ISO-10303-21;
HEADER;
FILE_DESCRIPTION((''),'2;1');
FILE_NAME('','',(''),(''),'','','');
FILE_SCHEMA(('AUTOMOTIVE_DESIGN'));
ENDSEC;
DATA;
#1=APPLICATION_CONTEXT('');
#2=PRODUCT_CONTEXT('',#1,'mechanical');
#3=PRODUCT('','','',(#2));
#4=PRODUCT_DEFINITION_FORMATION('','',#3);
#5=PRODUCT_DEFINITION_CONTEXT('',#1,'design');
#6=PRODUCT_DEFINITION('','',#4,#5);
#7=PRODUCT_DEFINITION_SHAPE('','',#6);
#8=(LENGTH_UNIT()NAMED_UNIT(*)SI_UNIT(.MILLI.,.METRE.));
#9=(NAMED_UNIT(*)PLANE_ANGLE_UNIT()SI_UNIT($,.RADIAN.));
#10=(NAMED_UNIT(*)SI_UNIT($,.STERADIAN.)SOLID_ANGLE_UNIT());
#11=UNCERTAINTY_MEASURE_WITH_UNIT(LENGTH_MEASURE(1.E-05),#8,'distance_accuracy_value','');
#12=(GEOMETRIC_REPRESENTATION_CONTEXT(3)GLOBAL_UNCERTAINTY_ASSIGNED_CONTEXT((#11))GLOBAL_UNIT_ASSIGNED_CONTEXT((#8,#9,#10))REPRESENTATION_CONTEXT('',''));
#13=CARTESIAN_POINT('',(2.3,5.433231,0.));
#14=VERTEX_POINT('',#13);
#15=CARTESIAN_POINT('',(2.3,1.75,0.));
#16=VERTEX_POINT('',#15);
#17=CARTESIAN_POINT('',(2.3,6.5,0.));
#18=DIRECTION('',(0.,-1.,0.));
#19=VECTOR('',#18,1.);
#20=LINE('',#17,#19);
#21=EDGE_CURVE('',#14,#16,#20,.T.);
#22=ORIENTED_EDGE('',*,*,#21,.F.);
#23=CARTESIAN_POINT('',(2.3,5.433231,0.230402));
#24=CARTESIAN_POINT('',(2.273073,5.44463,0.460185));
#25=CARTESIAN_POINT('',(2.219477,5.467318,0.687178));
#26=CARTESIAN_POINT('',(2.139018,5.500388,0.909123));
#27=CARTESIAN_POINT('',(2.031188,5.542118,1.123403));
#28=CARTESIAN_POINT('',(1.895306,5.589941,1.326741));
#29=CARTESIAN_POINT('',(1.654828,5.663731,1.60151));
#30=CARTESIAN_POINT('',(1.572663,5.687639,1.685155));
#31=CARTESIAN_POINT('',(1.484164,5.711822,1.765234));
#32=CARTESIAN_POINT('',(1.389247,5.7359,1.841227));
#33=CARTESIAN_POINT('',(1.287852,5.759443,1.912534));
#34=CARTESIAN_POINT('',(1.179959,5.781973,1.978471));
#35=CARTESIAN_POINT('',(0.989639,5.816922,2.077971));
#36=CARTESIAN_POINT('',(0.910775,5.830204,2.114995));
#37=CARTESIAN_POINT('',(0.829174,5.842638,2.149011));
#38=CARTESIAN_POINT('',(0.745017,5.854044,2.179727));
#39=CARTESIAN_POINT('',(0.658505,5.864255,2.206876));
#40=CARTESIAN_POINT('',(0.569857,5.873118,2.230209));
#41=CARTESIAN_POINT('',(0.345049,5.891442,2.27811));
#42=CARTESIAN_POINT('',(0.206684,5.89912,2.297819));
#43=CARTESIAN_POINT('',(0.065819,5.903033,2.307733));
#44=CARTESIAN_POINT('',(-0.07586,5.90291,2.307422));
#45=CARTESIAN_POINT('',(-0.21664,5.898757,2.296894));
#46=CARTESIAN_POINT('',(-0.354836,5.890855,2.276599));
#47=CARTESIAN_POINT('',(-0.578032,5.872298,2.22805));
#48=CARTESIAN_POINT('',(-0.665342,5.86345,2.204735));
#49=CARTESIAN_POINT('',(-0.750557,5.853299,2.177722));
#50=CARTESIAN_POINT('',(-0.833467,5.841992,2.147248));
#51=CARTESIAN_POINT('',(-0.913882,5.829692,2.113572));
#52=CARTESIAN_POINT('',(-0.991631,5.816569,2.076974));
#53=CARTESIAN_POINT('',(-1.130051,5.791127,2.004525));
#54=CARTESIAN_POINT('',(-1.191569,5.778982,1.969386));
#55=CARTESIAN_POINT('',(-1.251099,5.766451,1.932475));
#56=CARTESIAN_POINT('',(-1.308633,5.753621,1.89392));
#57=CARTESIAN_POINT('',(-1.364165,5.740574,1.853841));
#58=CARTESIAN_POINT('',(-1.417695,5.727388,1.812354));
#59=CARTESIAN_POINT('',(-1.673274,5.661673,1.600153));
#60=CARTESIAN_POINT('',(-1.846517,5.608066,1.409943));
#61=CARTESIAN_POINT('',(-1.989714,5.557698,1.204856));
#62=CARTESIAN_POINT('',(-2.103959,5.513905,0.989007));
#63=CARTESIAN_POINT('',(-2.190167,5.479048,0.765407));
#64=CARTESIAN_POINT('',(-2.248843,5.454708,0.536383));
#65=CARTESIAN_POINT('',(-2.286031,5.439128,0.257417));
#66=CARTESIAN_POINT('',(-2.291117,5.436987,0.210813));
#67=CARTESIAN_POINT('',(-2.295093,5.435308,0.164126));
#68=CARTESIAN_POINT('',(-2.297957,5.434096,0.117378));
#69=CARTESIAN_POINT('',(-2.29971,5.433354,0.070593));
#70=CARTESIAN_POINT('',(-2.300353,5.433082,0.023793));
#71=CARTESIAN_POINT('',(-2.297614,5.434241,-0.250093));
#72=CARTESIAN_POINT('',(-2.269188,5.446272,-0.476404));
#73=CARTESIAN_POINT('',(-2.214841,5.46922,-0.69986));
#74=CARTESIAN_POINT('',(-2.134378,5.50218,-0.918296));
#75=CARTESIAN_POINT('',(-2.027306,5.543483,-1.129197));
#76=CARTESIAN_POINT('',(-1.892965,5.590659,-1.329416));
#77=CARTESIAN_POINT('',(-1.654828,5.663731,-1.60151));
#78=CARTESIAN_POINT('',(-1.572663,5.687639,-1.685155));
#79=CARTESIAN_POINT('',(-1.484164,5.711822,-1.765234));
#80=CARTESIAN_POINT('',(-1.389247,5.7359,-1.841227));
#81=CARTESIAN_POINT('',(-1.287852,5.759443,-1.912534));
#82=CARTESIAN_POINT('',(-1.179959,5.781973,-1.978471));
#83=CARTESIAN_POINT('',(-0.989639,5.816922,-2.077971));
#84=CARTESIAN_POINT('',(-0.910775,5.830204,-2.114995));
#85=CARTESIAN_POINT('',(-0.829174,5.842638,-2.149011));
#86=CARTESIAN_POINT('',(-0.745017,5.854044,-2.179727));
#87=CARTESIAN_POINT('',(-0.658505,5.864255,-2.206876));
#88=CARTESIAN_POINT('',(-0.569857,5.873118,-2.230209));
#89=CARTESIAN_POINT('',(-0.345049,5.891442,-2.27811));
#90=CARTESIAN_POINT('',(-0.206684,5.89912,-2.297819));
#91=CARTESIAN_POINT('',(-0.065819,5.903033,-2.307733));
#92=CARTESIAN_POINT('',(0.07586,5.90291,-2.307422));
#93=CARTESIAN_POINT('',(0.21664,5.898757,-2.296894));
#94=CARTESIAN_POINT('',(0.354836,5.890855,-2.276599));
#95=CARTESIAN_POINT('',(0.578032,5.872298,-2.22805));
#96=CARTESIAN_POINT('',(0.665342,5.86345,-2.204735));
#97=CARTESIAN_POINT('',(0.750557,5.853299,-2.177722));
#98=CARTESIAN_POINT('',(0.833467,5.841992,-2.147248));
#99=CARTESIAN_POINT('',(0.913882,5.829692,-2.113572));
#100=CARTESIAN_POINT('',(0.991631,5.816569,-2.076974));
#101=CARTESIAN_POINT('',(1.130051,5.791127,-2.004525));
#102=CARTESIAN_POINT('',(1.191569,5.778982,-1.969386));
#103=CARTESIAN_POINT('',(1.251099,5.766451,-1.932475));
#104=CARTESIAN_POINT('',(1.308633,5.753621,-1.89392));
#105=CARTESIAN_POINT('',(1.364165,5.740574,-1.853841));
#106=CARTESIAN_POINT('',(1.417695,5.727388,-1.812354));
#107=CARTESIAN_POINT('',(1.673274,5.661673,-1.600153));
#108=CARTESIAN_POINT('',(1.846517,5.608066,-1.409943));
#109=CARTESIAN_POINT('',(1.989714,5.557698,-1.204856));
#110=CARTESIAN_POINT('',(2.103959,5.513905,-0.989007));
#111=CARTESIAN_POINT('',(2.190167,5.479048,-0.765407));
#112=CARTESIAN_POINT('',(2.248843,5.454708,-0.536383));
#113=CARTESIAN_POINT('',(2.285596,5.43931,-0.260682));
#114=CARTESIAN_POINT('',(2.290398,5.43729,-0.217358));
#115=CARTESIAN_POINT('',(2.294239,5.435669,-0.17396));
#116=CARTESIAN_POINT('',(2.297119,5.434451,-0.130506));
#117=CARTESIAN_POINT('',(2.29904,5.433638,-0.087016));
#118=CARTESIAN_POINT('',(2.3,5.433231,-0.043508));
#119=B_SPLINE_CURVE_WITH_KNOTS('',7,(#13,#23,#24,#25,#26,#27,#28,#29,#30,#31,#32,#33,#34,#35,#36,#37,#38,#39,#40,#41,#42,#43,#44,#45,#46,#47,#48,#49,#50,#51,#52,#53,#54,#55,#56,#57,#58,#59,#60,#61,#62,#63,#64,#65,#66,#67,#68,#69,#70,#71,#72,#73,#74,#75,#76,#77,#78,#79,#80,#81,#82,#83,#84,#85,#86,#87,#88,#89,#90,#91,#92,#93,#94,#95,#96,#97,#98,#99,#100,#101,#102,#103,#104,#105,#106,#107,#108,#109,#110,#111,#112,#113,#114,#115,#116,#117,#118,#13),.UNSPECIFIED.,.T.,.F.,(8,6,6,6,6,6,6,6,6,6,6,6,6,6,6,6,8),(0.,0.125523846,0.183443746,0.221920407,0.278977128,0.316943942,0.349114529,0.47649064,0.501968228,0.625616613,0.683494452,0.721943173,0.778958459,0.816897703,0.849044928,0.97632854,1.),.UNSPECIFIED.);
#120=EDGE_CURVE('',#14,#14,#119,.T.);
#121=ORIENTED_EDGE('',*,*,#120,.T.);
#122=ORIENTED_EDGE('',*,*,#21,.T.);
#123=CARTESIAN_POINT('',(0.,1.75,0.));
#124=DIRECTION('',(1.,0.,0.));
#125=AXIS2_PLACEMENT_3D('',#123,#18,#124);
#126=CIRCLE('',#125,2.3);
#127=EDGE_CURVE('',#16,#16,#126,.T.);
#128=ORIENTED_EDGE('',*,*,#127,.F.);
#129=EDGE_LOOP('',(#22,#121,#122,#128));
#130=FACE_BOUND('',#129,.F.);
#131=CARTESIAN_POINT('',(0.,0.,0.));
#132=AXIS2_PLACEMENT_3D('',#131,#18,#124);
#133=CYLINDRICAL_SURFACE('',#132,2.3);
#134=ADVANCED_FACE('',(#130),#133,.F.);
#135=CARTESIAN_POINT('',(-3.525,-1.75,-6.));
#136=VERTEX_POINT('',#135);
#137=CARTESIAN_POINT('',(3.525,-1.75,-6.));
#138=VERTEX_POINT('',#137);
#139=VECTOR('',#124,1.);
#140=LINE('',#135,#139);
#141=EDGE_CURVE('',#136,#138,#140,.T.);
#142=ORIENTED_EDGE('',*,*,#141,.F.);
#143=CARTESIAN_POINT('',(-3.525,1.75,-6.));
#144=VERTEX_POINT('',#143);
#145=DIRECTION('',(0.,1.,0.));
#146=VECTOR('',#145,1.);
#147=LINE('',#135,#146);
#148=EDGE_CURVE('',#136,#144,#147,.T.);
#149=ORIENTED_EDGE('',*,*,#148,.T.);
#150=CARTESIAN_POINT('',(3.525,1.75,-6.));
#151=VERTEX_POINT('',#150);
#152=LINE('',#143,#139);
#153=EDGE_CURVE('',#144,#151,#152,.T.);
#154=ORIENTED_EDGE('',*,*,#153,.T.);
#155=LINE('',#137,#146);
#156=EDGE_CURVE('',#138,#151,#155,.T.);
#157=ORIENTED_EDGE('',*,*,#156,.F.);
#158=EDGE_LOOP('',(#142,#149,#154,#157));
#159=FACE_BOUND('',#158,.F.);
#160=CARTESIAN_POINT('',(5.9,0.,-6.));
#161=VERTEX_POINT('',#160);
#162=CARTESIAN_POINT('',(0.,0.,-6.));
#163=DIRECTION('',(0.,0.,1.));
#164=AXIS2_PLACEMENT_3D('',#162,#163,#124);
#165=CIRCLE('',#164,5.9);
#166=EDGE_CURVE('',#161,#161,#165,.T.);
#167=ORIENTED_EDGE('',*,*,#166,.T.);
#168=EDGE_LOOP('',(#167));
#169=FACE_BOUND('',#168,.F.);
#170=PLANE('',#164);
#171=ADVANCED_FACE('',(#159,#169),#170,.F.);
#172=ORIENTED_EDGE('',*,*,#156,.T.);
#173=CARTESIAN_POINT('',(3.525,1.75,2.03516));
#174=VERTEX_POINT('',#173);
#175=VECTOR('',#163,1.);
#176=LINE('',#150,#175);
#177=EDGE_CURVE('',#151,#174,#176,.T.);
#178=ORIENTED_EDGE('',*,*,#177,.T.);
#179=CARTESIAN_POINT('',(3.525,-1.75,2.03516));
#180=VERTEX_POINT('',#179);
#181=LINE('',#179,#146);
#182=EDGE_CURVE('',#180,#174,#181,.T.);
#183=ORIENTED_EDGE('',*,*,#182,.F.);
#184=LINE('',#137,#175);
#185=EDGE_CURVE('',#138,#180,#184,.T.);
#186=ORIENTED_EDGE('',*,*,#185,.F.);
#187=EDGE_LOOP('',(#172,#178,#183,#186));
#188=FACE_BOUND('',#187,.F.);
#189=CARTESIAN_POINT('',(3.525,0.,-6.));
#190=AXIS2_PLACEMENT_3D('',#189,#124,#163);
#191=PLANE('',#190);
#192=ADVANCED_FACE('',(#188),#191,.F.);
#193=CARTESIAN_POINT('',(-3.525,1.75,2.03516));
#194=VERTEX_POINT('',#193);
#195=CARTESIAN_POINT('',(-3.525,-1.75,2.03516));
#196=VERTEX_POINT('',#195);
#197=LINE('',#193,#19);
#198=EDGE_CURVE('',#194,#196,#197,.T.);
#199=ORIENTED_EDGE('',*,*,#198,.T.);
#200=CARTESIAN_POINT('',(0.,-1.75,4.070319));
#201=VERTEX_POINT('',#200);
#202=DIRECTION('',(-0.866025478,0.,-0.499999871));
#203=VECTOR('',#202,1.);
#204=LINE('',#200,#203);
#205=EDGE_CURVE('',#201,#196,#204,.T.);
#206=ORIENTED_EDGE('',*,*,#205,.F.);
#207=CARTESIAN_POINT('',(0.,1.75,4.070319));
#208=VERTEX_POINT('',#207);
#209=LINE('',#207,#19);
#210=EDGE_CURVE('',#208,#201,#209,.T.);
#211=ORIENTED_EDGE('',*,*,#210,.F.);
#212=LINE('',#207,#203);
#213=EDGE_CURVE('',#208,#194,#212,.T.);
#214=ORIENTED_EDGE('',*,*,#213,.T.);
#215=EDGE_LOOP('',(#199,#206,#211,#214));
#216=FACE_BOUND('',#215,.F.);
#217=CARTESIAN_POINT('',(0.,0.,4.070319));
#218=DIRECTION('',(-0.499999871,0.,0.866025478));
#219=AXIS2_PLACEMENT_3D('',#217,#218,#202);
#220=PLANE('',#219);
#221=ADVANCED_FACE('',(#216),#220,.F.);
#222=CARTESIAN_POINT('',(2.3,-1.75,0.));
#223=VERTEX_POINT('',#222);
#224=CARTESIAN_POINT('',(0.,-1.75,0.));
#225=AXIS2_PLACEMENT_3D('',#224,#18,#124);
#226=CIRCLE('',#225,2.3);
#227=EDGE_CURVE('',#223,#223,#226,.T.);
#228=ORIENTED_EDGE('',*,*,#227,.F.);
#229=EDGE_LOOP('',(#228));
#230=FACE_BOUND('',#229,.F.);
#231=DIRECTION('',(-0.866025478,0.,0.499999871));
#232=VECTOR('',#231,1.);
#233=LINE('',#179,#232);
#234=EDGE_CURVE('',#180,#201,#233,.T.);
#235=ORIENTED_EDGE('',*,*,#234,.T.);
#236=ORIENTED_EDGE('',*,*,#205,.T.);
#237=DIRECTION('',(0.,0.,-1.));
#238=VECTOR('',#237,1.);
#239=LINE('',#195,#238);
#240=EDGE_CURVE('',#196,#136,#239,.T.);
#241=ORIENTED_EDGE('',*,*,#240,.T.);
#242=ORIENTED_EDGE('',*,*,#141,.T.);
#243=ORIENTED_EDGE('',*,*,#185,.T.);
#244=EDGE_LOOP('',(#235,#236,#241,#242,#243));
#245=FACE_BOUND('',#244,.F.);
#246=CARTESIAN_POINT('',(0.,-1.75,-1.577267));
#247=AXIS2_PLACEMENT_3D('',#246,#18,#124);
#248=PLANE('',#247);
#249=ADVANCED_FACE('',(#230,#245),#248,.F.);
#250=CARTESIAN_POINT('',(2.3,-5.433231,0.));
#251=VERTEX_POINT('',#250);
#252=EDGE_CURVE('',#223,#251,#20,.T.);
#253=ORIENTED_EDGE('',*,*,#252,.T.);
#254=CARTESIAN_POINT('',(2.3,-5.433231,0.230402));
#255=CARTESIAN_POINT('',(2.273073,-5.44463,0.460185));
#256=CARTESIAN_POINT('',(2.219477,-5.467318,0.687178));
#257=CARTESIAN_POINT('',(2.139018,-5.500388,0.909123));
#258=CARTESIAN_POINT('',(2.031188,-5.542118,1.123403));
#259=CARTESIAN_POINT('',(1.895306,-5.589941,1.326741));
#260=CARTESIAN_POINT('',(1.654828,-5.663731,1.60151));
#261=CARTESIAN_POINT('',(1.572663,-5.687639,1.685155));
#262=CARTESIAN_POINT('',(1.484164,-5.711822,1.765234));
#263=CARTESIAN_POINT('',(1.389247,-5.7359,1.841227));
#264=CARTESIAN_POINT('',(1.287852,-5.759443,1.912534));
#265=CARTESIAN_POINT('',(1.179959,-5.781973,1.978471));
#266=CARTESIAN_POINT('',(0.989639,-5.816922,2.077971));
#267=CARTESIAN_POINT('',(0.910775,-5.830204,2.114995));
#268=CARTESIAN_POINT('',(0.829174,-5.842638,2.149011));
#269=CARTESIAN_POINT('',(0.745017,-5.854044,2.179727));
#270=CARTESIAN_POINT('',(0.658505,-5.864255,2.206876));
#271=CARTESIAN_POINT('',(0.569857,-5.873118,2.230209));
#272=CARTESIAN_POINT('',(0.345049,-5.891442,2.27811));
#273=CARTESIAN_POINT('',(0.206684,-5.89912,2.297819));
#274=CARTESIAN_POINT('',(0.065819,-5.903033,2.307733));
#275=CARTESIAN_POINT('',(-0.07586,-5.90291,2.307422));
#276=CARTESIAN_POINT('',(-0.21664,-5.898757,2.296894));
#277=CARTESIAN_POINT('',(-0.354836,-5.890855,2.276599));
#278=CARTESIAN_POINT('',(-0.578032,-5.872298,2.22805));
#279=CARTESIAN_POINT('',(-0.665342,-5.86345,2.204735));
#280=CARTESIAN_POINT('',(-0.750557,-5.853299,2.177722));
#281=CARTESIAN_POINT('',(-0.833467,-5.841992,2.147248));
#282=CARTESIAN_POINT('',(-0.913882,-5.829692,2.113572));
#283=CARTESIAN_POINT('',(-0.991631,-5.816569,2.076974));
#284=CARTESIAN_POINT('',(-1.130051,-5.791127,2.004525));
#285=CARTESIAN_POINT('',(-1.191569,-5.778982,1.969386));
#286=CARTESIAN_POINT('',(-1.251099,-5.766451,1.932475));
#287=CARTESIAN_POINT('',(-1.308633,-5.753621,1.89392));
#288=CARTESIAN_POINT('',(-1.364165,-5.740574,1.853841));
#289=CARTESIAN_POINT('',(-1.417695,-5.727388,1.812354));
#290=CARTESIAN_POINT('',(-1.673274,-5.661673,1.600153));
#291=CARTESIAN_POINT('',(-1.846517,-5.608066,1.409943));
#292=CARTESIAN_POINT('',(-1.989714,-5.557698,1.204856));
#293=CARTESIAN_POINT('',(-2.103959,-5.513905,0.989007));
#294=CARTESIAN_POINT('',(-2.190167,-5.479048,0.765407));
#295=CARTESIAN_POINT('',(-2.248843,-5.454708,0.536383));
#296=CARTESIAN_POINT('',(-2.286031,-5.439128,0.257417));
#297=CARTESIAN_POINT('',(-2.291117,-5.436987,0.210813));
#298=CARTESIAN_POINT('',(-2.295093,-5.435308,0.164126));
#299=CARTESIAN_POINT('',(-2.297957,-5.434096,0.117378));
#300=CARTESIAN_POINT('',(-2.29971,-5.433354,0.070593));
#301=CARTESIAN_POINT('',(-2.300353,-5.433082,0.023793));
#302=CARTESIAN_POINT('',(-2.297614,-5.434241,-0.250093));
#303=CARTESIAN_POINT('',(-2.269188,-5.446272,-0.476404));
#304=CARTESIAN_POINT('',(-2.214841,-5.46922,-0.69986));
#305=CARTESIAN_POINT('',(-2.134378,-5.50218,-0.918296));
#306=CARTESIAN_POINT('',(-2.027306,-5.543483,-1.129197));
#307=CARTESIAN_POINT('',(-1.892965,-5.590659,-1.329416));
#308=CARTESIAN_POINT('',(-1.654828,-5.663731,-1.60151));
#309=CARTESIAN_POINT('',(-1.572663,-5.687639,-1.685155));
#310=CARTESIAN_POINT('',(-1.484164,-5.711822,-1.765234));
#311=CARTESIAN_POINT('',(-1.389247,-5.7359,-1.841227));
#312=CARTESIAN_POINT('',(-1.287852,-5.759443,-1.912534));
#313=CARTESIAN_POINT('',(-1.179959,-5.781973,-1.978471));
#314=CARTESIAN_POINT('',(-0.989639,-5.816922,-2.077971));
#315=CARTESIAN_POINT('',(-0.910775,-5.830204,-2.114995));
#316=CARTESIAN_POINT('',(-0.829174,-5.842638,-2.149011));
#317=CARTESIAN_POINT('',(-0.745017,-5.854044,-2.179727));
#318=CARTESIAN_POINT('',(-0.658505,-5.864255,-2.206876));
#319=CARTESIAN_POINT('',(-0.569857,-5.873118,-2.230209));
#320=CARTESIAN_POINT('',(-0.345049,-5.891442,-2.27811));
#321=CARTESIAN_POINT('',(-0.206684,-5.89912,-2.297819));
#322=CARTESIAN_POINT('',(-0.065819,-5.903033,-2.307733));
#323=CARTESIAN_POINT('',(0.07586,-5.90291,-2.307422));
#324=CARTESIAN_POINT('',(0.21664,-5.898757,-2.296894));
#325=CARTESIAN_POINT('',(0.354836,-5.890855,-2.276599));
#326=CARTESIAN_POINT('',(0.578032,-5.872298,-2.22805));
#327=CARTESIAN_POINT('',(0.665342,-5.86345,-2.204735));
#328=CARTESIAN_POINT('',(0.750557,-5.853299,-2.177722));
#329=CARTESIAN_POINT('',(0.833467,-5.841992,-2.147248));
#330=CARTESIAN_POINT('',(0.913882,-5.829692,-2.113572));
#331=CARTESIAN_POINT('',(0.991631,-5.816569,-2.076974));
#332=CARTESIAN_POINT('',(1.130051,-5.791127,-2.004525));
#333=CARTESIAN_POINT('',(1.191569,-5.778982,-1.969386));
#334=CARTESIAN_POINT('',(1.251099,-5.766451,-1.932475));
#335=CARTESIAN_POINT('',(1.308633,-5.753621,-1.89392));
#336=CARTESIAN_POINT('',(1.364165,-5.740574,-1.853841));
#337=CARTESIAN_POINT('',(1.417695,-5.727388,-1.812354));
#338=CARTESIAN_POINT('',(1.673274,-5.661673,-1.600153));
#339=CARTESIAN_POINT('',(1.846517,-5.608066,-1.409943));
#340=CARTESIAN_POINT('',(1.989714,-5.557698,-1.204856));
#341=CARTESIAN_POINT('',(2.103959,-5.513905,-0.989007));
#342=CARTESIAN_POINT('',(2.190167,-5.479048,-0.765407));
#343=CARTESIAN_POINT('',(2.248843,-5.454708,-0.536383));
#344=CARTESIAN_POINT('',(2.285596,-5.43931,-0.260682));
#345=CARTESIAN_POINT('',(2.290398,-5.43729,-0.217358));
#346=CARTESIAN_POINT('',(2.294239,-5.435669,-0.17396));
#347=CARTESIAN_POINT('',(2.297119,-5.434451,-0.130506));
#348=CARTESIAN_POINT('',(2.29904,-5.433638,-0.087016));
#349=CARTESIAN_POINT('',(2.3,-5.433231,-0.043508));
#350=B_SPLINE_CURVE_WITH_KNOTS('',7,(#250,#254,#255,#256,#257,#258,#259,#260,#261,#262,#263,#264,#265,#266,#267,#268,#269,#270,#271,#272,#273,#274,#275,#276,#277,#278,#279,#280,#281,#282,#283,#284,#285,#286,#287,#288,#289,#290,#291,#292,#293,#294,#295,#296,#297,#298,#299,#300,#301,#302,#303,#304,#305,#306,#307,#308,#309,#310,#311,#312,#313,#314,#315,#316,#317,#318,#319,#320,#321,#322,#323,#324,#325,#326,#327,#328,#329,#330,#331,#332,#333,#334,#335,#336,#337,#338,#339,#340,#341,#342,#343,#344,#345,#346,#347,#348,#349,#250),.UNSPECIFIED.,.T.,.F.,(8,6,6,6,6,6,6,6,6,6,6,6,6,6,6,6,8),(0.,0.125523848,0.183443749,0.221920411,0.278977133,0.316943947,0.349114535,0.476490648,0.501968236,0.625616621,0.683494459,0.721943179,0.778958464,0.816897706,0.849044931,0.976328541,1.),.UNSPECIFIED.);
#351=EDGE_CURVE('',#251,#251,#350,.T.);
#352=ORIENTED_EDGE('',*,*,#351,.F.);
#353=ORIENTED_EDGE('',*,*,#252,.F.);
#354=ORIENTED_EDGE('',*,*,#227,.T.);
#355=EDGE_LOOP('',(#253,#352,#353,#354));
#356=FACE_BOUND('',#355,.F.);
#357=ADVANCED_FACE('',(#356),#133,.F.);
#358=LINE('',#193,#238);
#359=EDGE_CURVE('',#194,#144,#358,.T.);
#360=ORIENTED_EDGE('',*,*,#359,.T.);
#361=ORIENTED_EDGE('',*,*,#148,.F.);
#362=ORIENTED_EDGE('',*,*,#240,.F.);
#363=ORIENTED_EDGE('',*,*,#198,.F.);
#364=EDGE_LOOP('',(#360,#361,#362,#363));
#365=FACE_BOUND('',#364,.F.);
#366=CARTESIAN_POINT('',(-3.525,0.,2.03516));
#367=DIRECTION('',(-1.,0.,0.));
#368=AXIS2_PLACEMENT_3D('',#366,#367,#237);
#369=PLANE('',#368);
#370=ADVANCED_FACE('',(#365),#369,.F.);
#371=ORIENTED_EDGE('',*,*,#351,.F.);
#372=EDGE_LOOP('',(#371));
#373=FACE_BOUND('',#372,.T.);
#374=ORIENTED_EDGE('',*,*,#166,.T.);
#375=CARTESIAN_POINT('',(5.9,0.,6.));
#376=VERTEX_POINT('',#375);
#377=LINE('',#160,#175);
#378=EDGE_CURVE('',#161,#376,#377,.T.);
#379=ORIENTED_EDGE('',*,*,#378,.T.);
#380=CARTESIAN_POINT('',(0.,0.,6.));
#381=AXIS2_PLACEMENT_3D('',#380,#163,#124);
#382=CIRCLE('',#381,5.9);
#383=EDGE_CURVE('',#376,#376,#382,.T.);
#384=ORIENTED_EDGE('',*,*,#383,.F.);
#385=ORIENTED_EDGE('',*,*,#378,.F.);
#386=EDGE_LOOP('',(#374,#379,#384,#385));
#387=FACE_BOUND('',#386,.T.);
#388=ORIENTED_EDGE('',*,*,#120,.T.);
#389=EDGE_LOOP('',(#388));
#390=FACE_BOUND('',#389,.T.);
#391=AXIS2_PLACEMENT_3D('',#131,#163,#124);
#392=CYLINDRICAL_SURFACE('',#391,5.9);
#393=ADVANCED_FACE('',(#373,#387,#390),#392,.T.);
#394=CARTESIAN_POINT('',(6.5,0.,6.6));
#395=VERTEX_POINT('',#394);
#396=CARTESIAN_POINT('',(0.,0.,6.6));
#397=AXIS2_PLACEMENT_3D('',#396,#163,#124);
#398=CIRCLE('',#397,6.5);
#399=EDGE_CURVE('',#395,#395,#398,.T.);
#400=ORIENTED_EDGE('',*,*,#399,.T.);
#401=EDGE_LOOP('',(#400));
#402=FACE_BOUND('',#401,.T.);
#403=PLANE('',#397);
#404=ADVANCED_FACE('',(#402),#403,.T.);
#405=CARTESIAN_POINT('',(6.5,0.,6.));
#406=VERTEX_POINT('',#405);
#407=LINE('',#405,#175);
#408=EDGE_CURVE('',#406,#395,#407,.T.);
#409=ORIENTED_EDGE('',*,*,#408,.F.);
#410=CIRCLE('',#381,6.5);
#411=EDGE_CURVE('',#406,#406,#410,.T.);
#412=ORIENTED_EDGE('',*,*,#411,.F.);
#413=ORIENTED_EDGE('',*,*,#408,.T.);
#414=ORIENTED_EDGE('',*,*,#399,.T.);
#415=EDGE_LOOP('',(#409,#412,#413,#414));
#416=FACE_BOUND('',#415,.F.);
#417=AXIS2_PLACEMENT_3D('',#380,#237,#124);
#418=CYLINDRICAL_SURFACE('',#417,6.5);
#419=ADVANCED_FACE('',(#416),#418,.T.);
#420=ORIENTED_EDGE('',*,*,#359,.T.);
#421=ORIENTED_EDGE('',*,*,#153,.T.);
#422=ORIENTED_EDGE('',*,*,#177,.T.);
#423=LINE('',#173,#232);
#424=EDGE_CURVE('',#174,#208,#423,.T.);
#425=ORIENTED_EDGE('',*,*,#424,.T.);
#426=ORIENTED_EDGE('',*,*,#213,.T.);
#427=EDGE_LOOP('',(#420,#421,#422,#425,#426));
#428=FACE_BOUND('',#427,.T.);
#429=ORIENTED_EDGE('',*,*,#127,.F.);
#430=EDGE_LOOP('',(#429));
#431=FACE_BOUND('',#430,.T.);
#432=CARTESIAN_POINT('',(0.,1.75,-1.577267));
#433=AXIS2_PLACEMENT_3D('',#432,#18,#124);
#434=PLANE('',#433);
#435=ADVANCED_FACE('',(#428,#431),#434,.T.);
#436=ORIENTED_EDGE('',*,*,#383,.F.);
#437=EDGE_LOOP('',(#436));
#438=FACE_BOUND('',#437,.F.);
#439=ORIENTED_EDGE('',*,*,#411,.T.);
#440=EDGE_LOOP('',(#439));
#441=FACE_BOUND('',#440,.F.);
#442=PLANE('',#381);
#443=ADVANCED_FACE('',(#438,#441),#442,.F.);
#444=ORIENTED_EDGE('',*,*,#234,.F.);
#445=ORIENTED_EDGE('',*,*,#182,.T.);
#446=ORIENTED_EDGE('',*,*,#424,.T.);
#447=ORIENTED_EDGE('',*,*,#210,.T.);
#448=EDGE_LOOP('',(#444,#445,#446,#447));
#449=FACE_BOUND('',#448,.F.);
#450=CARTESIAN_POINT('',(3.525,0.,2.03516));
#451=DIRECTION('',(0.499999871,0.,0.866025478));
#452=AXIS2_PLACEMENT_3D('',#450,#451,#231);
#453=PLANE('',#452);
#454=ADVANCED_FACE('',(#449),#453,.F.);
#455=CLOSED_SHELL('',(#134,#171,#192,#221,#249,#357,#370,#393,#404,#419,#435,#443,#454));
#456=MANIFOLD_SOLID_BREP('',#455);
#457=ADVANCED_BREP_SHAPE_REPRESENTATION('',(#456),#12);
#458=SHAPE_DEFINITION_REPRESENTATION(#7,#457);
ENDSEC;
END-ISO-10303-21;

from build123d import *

# Parameters (mm, degrees)
PAD001_DEPTH = 1.75
SKETCH002_R  = 2.3
PAD002_DEPTH = 6.5
SKETCH_R     = 5.9
PAD_DEPTH    = 6
SKETCH003_R  = 6.5
PAD003_DEPTH = 0.6


with BuildPart() as pad001:
    # Sketch001 → Pad001 (new body, symmetric)
    with BuildSketch(Plane.XZ):
        Polygon((3.525, -2.03516), (3.525, 2.03516), (0, 4.070319), (-3.525, 2.03516), (-3.525, -2.03516), (-3.525, -6), (3.525, -6), align=None)
    extrude(amount=PAD001_DEPTH, both=True)


with BuildPart() as pad002:
    # Sketch002 → Pad002 (new body, symmetric)
    with BuildSketch(Plane.XZ):
        Circle(SKETCH002_R)
    extrude(amount=PAD002_DEPTH, both=True)


with BuildPart() as pad003:
    # Sketch → Pad (new body, symmetric)
    with BuildSketch(Plane.XY):
        Circle(SKETCH_R)
    extrude(amount=PAD_DEPTH, both=True)

    # Cut: cut Pad002
    add(pad002.part, mode=Mode.SUBTRACT)

    # Cut001: cut Pad001
    add(pad001.part, mode=Mode.SUBTRACT)

    # Sketch003 → Pad003 (new body)
    with BuildSketch(Plane.XY.offset(6)):
        Circle(SKETCH003_R)
    extrude(amount=PAD003_DEPTH)


solid = pad003.part
